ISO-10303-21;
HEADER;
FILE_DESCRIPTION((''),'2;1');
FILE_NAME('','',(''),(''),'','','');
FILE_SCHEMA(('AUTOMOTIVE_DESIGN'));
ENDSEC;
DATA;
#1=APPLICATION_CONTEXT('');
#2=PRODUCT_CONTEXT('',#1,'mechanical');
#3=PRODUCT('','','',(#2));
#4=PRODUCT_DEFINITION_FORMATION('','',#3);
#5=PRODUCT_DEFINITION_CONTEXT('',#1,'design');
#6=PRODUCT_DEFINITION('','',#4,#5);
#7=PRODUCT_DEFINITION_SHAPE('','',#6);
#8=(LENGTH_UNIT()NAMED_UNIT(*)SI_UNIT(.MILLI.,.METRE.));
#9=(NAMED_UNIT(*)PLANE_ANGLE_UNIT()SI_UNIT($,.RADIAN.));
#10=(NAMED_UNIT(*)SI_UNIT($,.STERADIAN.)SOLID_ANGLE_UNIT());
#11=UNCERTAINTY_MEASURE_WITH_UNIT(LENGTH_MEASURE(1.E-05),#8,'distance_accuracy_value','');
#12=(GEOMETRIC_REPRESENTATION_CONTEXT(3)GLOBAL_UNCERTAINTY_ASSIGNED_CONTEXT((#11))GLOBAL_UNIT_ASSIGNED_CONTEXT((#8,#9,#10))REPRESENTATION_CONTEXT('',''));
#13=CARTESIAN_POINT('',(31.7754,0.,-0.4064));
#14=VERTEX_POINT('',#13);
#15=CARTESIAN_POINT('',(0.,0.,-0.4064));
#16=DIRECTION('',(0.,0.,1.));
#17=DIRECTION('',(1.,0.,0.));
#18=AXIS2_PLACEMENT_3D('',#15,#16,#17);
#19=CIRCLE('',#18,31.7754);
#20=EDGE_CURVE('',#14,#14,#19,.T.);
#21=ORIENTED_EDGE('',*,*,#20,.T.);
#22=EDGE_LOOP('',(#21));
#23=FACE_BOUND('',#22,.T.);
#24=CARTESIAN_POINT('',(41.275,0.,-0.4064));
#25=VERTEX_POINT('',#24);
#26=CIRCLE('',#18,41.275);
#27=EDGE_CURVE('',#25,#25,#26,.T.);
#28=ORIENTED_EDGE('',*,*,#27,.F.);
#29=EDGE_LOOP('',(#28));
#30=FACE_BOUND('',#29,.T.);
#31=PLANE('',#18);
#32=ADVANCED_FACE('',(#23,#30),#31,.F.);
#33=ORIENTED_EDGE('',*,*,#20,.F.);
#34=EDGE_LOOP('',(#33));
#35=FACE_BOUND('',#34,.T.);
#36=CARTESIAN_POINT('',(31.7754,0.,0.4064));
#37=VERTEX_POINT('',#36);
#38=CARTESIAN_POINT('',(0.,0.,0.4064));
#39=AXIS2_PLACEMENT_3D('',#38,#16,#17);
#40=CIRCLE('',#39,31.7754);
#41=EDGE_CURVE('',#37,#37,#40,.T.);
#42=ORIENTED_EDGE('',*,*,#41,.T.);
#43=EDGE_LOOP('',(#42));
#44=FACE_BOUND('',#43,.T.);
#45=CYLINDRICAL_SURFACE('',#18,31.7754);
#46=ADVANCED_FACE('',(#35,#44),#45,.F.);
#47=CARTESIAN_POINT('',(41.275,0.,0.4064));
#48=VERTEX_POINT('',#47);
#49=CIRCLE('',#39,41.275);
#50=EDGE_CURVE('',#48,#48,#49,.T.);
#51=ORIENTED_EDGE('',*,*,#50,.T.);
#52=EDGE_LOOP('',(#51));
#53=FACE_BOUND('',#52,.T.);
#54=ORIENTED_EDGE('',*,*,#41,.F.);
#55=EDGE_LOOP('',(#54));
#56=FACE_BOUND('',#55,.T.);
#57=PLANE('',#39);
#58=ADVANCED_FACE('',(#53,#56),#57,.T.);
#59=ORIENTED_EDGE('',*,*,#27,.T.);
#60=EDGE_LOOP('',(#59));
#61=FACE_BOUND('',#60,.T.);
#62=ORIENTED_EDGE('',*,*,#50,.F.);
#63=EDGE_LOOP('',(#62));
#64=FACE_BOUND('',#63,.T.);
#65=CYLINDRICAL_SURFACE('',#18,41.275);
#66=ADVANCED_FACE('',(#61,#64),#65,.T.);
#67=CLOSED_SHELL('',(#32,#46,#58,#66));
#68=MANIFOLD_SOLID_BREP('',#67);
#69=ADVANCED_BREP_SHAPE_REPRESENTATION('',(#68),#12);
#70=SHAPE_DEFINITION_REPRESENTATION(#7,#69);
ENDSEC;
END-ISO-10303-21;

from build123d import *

# Parameters (mm, degrees)
BOSS_EXTRUDE1_DEPTH      = 0.4064
BOSS_EXTRUDE1_DEPTH_BACK = 0.4064
SKETCH3_R                = 41.275
SKETCH3_R_2              = 31.7754


with BuildPart() as part:
    # Sketch3 → Boss-Extrude1 (new, two sides: drawn at the far end of the back side and taken through both)
    with BuildSketch(Plane.XY.offset(-BOSS_EXTRUDE1_DEPTH_BACK)):
        Circle(SKETCH3_R)
        Circle(SKETCH3_R_2, mode=Mode.SUBTRACT)
    extrude(amount=BOSS_EXTRUDE1_DEPTH + BOSS_EXTRUDE1_DEPTH_BACK)


solid = part.part
